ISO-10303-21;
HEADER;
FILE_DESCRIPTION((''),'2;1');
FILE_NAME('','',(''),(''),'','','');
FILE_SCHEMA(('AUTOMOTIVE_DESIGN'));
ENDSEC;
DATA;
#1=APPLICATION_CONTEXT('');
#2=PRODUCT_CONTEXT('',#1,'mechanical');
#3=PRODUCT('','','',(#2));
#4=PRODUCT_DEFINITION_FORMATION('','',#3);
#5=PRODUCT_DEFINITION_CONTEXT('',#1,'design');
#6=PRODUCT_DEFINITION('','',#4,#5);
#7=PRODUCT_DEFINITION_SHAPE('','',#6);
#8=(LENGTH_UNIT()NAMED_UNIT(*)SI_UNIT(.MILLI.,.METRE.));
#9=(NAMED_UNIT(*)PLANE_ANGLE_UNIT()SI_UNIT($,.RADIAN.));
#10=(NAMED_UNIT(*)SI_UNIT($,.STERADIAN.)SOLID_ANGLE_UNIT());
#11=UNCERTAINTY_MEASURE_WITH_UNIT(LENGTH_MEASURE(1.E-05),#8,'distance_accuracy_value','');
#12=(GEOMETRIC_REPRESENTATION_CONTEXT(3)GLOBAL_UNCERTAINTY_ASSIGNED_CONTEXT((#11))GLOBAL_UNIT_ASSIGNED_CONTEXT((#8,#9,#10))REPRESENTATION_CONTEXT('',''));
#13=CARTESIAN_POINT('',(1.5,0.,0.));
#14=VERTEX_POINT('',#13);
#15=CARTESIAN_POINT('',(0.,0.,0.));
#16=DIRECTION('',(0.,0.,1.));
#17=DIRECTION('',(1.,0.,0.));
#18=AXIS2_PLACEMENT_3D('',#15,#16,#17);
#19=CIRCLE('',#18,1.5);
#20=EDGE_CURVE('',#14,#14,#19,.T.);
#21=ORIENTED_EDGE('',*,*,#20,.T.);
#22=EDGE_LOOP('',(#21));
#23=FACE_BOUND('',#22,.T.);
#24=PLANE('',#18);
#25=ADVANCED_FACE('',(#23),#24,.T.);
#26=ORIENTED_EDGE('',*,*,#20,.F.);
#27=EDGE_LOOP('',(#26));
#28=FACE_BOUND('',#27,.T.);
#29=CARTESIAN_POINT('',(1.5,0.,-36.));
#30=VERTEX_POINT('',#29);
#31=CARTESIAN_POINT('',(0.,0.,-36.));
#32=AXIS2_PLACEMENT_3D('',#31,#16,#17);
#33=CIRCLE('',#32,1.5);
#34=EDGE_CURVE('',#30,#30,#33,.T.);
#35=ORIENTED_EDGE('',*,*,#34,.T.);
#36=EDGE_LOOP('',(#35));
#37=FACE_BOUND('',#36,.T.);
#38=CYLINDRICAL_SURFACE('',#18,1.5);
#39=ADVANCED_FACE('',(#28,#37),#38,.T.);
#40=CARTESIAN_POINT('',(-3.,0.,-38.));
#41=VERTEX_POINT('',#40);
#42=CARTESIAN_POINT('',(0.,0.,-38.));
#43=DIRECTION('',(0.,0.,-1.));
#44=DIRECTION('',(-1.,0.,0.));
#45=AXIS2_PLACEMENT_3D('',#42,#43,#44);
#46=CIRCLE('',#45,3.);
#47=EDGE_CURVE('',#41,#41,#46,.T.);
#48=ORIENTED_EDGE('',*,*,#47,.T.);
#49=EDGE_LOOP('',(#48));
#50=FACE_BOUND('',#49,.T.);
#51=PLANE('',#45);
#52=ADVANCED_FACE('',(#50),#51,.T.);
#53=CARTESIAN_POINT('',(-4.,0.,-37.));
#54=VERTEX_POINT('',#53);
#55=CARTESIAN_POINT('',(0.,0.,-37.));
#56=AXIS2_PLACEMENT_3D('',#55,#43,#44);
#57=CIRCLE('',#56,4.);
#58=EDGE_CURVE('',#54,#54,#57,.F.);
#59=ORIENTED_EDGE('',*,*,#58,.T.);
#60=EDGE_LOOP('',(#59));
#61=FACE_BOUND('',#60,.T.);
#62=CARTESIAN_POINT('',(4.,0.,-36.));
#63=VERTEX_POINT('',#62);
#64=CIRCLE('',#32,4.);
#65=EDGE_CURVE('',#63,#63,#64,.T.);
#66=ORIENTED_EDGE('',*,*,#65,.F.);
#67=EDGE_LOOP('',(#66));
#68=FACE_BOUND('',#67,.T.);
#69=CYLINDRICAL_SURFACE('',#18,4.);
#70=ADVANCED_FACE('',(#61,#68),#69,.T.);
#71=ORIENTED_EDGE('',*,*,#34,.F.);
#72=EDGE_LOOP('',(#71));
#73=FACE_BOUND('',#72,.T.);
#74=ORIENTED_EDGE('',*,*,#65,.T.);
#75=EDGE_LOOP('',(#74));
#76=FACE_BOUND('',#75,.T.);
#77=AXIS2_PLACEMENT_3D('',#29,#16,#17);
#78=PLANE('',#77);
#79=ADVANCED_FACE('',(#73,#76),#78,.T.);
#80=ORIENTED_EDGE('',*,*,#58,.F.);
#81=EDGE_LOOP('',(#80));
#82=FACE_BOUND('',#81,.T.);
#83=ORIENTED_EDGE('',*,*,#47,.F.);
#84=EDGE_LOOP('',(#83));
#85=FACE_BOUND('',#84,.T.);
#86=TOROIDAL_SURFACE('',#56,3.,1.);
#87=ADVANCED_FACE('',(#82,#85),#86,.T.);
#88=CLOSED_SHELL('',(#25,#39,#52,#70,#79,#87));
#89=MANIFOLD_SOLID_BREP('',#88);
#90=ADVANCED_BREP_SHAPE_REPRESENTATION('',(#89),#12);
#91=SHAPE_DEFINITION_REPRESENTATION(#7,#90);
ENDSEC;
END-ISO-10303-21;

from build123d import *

# Parameters (mm, degrees)
FILLET1_R = 1


with BuildPart() as part:
    # Sketch1 → Revolve1 (revolve)
    with BuildSketch(Plane(origin=(0, 0, 0), x_dir=(1, 0, 0), z_dir=(0, 1, 0))):
        Polygon((0, 0), (0, 38), (4, 38), (4, 36), (1.5, 36), (1.5, 0), align=None)
    revolve(axis=Axis((0, 0, 0), (0, 0, -1)))

    # Fillet1
    fillet1_edges = [part.edges().sort_by_distance(p)[0] for p in [
        (-4, 0, -38),
    ]]
    fillet(fillet1_edges, radius=FILLET1_R)


solid = part.part
